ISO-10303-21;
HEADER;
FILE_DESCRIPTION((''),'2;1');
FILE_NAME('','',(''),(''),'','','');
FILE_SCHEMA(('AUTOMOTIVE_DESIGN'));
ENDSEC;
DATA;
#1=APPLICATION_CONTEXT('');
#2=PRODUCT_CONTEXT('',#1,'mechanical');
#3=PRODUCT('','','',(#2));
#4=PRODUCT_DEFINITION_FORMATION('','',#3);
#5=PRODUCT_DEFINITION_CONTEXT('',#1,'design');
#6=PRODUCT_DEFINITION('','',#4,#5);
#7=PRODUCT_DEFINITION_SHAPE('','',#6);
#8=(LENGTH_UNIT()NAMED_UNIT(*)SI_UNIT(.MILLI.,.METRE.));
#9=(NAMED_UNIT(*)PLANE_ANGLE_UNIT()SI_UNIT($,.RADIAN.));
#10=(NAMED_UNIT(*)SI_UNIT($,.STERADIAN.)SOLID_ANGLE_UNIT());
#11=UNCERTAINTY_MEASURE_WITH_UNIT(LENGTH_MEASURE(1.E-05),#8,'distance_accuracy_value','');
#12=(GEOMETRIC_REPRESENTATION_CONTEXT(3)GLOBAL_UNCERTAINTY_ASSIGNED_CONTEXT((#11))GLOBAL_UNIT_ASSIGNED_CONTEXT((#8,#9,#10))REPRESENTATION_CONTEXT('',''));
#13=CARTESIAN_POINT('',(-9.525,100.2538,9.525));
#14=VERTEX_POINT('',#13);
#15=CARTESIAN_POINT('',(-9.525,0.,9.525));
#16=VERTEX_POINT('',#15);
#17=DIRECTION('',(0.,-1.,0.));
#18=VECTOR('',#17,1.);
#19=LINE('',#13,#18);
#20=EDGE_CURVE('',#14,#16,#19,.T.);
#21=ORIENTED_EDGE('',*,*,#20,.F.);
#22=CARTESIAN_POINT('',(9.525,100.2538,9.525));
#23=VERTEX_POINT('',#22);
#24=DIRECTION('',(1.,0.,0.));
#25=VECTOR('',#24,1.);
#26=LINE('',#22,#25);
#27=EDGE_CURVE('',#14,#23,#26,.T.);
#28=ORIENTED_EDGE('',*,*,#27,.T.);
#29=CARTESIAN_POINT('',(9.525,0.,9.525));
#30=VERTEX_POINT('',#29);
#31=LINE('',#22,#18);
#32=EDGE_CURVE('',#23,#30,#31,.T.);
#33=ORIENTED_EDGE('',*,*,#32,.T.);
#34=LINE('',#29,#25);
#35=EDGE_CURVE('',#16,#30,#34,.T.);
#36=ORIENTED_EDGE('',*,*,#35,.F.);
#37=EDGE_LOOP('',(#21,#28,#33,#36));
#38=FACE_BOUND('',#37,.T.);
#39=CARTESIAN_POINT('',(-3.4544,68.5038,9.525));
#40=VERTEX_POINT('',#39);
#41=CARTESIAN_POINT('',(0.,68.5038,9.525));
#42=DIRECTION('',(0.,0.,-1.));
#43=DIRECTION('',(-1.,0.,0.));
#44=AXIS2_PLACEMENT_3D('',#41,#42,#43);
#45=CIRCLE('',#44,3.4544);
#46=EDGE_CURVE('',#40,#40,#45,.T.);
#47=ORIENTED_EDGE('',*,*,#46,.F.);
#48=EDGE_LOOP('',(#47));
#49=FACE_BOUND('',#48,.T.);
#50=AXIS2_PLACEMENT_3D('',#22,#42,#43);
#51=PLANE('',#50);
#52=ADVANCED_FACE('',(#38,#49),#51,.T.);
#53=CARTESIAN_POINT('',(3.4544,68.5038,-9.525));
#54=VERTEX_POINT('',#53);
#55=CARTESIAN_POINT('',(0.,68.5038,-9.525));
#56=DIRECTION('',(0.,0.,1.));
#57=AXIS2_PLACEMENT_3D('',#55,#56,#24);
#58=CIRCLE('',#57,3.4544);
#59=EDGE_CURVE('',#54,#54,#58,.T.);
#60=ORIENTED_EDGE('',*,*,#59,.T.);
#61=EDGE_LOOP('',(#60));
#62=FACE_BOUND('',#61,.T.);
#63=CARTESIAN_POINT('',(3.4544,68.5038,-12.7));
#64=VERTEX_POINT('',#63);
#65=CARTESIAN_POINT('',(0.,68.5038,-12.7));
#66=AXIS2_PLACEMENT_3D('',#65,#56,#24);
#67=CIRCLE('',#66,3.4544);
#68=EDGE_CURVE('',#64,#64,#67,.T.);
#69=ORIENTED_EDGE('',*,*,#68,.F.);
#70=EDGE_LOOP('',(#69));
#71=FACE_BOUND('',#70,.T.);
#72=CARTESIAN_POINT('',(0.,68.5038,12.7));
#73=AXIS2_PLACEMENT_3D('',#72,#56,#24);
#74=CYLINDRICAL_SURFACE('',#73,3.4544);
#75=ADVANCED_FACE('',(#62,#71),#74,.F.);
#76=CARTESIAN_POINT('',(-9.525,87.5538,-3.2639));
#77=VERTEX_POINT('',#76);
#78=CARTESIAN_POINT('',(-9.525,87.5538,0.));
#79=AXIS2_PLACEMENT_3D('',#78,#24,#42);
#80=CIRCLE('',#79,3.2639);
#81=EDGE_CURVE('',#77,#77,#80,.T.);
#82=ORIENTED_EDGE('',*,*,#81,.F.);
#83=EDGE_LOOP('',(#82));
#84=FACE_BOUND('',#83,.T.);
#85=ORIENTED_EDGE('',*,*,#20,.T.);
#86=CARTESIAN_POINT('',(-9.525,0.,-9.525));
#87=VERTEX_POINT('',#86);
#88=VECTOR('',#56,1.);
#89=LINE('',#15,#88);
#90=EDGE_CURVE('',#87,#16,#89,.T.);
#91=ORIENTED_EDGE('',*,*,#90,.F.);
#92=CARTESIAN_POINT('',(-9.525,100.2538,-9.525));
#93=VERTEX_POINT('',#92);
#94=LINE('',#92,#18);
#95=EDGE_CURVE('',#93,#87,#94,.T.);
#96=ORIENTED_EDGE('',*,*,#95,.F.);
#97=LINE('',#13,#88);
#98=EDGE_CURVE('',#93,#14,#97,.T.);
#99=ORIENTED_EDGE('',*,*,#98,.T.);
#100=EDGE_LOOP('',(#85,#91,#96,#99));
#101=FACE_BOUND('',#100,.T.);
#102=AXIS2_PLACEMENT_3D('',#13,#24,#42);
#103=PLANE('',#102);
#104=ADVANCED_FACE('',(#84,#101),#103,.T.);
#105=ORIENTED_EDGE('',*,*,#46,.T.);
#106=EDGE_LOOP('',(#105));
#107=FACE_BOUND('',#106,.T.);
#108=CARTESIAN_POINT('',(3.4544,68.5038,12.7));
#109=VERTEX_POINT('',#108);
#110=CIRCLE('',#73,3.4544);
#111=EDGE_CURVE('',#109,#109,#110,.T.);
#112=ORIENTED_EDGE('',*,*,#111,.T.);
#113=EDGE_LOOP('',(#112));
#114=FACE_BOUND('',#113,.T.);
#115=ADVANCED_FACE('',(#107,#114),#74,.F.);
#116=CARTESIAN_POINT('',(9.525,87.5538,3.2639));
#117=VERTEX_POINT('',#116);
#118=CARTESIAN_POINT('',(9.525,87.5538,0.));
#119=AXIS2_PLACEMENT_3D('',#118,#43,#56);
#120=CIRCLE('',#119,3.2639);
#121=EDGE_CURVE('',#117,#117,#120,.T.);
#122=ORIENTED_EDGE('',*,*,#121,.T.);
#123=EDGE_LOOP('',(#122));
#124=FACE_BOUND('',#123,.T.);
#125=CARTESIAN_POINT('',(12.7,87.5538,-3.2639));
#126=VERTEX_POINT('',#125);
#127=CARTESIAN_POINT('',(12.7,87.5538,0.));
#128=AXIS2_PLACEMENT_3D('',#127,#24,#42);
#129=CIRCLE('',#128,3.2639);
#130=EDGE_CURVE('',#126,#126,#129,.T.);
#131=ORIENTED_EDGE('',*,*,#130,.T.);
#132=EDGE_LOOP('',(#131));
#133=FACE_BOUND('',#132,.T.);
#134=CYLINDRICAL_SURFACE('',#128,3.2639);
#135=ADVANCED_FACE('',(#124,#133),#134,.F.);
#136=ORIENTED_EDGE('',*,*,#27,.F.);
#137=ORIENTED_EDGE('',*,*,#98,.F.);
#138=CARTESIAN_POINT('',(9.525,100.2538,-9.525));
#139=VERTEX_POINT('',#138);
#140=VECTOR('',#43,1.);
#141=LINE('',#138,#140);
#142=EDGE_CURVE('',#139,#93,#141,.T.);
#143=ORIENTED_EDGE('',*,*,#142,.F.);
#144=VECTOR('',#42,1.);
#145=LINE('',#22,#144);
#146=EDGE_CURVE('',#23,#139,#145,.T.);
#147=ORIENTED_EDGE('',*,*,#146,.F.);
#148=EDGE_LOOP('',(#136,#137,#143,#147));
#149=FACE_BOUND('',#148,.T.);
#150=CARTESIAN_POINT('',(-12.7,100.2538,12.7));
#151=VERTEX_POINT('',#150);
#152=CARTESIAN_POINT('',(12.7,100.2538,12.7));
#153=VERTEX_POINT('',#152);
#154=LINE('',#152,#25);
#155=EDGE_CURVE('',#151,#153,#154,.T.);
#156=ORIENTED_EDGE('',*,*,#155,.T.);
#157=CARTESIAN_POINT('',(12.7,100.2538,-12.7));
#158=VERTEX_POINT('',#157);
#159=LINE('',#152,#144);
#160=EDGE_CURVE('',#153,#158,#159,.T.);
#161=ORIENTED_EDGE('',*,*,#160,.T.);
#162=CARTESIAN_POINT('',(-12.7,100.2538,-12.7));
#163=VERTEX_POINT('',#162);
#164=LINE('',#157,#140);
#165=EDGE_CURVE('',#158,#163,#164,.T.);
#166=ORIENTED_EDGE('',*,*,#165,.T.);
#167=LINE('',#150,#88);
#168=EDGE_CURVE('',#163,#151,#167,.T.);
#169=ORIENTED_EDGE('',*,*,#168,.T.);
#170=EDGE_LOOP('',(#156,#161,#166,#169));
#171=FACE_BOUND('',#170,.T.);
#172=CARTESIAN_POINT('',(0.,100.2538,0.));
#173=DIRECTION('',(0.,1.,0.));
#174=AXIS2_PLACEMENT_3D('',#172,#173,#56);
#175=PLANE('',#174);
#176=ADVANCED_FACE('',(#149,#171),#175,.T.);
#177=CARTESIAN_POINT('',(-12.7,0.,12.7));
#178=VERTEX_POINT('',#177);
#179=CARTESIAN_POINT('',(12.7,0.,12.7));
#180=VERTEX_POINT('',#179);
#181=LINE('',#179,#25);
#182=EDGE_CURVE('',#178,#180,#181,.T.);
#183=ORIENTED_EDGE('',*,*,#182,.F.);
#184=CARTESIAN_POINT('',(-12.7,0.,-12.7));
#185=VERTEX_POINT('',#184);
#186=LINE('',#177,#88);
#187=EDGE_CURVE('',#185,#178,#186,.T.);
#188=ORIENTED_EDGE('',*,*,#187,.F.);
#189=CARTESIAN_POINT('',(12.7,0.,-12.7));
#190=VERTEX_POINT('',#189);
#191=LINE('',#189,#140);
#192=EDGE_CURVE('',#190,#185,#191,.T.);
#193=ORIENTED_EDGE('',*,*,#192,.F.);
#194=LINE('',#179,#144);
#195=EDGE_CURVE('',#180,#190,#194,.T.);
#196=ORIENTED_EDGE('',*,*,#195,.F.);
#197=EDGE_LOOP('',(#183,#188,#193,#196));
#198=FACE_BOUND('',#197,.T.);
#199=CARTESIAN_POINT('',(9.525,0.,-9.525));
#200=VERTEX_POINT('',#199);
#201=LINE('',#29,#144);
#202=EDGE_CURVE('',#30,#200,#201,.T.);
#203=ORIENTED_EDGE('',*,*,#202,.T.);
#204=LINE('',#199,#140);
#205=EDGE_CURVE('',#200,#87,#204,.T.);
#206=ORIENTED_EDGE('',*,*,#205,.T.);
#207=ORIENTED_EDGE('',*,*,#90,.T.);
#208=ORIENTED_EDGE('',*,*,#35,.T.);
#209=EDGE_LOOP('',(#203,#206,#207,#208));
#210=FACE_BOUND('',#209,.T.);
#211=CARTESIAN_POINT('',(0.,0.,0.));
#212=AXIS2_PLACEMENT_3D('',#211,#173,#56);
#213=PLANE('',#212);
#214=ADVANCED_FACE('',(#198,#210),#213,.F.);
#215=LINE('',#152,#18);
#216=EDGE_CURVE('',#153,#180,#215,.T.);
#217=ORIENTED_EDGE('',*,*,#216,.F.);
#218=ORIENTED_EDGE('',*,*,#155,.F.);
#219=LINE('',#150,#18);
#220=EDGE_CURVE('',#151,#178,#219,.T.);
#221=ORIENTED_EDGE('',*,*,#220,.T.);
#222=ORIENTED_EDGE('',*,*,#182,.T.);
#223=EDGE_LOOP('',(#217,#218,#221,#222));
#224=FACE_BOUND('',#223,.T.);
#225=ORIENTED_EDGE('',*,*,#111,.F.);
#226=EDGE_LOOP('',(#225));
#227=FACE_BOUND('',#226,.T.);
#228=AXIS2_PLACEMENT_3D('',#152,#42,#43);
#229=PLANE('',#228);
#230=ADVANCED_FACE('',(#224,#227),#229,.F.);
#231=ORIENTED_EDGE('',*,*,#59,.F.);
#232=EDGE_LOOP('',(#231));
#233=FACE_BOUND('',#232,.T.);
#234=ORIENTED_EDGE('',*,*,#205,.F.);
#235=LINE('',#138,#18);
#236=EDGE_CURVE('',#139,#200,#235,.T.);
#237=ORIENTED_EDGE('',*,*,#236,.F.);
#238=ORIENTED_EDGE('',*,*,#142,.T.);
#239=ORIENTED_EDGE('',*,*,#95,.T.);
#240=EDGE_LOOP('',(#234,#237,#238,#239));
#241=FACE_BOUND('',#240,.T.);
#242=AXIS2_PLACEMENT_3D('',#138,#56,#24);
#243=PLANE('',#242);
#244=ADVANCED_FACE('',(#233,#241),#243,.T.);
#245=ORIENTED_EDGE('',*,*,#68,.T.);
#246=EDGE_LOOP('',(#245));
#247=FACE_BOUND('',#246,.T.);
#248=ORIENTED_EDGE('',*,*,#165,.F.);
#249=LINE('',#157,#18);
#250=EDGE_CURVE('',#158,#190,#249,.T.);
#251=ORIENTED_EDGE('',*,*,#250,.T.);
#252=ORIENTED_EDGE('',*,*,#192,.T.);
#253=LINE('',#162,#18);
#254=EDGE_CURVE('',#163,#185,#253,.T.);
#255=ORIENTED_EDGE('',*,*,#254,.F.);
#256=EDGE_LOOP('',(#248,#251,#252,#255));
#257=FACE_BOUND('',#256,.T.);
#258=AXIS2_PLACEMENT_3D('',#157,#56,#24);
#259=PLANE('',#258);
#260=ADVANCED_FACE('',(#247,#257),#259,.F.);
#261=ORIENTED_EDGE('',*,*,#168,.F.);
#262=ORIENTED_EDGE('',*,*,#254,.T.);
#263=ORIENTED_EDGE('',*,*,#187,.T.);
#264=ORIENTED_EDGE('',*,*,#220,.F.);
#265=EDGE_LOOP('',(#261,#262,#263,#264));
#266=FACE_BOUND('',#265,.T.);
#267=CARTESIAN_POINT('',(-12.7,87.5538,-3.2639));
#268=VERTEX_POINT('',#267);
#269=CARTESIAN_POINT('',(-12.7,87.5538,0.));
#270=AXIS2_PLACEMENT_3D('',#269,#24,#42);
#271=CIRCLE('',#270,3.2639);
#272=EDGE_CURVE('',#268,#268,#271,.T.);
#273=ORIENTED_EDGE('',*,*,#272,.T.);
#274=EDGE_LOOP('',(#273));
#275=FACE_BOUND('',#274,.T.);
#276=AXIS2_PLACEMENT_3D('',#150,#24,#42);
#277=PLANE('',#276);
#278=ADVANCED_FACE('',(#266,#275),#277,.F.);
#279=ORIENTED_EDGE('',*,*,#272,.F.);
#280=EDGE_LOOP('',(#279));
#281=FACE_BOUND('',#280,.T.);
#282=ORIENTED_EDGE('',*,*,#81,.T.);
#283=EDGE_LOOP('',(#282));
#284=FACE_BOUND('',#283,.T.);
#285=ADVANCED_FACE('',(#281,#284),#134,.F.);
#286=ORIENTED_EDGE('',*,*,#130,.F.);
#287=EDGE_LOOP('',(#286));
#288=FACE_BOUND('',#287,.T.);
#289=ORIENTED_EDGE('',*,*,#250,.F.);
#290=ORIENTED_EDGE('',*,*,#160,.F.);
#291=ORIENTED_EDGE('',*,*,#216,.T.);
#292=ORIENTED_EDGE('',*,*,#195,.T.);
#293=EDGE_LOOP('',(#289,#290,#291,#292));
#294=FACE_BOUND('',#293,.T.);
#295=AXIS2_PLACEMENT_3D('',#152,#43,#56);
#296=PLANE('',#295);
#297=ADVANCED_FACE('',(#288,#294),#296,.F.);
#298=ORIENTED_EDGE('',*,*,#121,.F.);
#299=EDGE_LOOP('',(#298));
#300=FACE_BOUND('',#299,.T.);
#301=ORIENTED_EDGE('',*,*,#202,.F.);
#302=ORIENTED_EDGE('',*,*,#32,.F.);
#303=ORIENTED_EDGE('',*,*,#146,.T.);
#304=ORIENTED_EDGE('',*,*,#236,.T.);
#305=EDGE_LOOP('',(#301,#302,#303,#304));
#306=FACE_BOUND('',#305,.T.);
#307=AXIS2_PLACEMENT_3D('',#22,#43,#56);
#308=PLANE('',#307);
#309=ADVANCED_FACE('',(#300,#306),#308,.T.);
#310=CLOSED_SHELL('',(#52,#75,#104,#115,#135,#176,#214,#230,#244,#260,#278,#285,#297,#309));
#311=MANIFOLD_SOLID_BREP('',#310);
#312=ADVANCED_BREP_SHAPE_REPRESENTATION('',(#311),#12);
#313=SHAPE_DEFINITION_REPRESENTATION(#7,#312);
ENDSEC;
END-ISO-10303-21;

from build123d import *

# Parameters (mm, degrees)
SKETCH1_W                = 25.4
SKETCH1_H                = 25.4
SKETCH1_W_2              = 19.05
SKETCH1_H_2              = 19.05
BOSS_EXTRUDE1_DEPTH      = 100.2538
F_0_257_DIAMETER_HOLE1_D = 6.5278
I_0_272_DIAMETER_HOLE1_D = 6.9088


with BuildPart() as part:
    # Sketch1 → Boss-Extrude1 (new body)
    with BuildSketch(Plane(origin=(0, 0, 0), x_dir=(1, 0, 0), z_dir=(0, 1, 0))):
        Rectangle(SKETCH1_W, SKETCH1_H)
        Rectangle(SKETCH1_W_2, SKETCH1_H_2, mode=Mode.SUBTRACT)
    extrude(amount=BOSS_EXTRUDE1_DEPTH)

    # F (0.257) Diameter Hole1 (through all)
    with Locations(Plane(origin=(12.7, 0, 0), x_dir=(0, 0, -1), z_dir=(1, 0, 0))):
        with Locations((0, 87.5538)):
            Hole(F_0_257_DIAMETER_HOLE1_D / 2)

    # I (0.272) Diameter Hole1 (through all)
    with Locations(Plane.XY.offset(12.7)):
        with Locations((0, 68.5038)):
            Hole(I_0_272_DIAMETER_HOLE1_D / 2)


solid = part.part
